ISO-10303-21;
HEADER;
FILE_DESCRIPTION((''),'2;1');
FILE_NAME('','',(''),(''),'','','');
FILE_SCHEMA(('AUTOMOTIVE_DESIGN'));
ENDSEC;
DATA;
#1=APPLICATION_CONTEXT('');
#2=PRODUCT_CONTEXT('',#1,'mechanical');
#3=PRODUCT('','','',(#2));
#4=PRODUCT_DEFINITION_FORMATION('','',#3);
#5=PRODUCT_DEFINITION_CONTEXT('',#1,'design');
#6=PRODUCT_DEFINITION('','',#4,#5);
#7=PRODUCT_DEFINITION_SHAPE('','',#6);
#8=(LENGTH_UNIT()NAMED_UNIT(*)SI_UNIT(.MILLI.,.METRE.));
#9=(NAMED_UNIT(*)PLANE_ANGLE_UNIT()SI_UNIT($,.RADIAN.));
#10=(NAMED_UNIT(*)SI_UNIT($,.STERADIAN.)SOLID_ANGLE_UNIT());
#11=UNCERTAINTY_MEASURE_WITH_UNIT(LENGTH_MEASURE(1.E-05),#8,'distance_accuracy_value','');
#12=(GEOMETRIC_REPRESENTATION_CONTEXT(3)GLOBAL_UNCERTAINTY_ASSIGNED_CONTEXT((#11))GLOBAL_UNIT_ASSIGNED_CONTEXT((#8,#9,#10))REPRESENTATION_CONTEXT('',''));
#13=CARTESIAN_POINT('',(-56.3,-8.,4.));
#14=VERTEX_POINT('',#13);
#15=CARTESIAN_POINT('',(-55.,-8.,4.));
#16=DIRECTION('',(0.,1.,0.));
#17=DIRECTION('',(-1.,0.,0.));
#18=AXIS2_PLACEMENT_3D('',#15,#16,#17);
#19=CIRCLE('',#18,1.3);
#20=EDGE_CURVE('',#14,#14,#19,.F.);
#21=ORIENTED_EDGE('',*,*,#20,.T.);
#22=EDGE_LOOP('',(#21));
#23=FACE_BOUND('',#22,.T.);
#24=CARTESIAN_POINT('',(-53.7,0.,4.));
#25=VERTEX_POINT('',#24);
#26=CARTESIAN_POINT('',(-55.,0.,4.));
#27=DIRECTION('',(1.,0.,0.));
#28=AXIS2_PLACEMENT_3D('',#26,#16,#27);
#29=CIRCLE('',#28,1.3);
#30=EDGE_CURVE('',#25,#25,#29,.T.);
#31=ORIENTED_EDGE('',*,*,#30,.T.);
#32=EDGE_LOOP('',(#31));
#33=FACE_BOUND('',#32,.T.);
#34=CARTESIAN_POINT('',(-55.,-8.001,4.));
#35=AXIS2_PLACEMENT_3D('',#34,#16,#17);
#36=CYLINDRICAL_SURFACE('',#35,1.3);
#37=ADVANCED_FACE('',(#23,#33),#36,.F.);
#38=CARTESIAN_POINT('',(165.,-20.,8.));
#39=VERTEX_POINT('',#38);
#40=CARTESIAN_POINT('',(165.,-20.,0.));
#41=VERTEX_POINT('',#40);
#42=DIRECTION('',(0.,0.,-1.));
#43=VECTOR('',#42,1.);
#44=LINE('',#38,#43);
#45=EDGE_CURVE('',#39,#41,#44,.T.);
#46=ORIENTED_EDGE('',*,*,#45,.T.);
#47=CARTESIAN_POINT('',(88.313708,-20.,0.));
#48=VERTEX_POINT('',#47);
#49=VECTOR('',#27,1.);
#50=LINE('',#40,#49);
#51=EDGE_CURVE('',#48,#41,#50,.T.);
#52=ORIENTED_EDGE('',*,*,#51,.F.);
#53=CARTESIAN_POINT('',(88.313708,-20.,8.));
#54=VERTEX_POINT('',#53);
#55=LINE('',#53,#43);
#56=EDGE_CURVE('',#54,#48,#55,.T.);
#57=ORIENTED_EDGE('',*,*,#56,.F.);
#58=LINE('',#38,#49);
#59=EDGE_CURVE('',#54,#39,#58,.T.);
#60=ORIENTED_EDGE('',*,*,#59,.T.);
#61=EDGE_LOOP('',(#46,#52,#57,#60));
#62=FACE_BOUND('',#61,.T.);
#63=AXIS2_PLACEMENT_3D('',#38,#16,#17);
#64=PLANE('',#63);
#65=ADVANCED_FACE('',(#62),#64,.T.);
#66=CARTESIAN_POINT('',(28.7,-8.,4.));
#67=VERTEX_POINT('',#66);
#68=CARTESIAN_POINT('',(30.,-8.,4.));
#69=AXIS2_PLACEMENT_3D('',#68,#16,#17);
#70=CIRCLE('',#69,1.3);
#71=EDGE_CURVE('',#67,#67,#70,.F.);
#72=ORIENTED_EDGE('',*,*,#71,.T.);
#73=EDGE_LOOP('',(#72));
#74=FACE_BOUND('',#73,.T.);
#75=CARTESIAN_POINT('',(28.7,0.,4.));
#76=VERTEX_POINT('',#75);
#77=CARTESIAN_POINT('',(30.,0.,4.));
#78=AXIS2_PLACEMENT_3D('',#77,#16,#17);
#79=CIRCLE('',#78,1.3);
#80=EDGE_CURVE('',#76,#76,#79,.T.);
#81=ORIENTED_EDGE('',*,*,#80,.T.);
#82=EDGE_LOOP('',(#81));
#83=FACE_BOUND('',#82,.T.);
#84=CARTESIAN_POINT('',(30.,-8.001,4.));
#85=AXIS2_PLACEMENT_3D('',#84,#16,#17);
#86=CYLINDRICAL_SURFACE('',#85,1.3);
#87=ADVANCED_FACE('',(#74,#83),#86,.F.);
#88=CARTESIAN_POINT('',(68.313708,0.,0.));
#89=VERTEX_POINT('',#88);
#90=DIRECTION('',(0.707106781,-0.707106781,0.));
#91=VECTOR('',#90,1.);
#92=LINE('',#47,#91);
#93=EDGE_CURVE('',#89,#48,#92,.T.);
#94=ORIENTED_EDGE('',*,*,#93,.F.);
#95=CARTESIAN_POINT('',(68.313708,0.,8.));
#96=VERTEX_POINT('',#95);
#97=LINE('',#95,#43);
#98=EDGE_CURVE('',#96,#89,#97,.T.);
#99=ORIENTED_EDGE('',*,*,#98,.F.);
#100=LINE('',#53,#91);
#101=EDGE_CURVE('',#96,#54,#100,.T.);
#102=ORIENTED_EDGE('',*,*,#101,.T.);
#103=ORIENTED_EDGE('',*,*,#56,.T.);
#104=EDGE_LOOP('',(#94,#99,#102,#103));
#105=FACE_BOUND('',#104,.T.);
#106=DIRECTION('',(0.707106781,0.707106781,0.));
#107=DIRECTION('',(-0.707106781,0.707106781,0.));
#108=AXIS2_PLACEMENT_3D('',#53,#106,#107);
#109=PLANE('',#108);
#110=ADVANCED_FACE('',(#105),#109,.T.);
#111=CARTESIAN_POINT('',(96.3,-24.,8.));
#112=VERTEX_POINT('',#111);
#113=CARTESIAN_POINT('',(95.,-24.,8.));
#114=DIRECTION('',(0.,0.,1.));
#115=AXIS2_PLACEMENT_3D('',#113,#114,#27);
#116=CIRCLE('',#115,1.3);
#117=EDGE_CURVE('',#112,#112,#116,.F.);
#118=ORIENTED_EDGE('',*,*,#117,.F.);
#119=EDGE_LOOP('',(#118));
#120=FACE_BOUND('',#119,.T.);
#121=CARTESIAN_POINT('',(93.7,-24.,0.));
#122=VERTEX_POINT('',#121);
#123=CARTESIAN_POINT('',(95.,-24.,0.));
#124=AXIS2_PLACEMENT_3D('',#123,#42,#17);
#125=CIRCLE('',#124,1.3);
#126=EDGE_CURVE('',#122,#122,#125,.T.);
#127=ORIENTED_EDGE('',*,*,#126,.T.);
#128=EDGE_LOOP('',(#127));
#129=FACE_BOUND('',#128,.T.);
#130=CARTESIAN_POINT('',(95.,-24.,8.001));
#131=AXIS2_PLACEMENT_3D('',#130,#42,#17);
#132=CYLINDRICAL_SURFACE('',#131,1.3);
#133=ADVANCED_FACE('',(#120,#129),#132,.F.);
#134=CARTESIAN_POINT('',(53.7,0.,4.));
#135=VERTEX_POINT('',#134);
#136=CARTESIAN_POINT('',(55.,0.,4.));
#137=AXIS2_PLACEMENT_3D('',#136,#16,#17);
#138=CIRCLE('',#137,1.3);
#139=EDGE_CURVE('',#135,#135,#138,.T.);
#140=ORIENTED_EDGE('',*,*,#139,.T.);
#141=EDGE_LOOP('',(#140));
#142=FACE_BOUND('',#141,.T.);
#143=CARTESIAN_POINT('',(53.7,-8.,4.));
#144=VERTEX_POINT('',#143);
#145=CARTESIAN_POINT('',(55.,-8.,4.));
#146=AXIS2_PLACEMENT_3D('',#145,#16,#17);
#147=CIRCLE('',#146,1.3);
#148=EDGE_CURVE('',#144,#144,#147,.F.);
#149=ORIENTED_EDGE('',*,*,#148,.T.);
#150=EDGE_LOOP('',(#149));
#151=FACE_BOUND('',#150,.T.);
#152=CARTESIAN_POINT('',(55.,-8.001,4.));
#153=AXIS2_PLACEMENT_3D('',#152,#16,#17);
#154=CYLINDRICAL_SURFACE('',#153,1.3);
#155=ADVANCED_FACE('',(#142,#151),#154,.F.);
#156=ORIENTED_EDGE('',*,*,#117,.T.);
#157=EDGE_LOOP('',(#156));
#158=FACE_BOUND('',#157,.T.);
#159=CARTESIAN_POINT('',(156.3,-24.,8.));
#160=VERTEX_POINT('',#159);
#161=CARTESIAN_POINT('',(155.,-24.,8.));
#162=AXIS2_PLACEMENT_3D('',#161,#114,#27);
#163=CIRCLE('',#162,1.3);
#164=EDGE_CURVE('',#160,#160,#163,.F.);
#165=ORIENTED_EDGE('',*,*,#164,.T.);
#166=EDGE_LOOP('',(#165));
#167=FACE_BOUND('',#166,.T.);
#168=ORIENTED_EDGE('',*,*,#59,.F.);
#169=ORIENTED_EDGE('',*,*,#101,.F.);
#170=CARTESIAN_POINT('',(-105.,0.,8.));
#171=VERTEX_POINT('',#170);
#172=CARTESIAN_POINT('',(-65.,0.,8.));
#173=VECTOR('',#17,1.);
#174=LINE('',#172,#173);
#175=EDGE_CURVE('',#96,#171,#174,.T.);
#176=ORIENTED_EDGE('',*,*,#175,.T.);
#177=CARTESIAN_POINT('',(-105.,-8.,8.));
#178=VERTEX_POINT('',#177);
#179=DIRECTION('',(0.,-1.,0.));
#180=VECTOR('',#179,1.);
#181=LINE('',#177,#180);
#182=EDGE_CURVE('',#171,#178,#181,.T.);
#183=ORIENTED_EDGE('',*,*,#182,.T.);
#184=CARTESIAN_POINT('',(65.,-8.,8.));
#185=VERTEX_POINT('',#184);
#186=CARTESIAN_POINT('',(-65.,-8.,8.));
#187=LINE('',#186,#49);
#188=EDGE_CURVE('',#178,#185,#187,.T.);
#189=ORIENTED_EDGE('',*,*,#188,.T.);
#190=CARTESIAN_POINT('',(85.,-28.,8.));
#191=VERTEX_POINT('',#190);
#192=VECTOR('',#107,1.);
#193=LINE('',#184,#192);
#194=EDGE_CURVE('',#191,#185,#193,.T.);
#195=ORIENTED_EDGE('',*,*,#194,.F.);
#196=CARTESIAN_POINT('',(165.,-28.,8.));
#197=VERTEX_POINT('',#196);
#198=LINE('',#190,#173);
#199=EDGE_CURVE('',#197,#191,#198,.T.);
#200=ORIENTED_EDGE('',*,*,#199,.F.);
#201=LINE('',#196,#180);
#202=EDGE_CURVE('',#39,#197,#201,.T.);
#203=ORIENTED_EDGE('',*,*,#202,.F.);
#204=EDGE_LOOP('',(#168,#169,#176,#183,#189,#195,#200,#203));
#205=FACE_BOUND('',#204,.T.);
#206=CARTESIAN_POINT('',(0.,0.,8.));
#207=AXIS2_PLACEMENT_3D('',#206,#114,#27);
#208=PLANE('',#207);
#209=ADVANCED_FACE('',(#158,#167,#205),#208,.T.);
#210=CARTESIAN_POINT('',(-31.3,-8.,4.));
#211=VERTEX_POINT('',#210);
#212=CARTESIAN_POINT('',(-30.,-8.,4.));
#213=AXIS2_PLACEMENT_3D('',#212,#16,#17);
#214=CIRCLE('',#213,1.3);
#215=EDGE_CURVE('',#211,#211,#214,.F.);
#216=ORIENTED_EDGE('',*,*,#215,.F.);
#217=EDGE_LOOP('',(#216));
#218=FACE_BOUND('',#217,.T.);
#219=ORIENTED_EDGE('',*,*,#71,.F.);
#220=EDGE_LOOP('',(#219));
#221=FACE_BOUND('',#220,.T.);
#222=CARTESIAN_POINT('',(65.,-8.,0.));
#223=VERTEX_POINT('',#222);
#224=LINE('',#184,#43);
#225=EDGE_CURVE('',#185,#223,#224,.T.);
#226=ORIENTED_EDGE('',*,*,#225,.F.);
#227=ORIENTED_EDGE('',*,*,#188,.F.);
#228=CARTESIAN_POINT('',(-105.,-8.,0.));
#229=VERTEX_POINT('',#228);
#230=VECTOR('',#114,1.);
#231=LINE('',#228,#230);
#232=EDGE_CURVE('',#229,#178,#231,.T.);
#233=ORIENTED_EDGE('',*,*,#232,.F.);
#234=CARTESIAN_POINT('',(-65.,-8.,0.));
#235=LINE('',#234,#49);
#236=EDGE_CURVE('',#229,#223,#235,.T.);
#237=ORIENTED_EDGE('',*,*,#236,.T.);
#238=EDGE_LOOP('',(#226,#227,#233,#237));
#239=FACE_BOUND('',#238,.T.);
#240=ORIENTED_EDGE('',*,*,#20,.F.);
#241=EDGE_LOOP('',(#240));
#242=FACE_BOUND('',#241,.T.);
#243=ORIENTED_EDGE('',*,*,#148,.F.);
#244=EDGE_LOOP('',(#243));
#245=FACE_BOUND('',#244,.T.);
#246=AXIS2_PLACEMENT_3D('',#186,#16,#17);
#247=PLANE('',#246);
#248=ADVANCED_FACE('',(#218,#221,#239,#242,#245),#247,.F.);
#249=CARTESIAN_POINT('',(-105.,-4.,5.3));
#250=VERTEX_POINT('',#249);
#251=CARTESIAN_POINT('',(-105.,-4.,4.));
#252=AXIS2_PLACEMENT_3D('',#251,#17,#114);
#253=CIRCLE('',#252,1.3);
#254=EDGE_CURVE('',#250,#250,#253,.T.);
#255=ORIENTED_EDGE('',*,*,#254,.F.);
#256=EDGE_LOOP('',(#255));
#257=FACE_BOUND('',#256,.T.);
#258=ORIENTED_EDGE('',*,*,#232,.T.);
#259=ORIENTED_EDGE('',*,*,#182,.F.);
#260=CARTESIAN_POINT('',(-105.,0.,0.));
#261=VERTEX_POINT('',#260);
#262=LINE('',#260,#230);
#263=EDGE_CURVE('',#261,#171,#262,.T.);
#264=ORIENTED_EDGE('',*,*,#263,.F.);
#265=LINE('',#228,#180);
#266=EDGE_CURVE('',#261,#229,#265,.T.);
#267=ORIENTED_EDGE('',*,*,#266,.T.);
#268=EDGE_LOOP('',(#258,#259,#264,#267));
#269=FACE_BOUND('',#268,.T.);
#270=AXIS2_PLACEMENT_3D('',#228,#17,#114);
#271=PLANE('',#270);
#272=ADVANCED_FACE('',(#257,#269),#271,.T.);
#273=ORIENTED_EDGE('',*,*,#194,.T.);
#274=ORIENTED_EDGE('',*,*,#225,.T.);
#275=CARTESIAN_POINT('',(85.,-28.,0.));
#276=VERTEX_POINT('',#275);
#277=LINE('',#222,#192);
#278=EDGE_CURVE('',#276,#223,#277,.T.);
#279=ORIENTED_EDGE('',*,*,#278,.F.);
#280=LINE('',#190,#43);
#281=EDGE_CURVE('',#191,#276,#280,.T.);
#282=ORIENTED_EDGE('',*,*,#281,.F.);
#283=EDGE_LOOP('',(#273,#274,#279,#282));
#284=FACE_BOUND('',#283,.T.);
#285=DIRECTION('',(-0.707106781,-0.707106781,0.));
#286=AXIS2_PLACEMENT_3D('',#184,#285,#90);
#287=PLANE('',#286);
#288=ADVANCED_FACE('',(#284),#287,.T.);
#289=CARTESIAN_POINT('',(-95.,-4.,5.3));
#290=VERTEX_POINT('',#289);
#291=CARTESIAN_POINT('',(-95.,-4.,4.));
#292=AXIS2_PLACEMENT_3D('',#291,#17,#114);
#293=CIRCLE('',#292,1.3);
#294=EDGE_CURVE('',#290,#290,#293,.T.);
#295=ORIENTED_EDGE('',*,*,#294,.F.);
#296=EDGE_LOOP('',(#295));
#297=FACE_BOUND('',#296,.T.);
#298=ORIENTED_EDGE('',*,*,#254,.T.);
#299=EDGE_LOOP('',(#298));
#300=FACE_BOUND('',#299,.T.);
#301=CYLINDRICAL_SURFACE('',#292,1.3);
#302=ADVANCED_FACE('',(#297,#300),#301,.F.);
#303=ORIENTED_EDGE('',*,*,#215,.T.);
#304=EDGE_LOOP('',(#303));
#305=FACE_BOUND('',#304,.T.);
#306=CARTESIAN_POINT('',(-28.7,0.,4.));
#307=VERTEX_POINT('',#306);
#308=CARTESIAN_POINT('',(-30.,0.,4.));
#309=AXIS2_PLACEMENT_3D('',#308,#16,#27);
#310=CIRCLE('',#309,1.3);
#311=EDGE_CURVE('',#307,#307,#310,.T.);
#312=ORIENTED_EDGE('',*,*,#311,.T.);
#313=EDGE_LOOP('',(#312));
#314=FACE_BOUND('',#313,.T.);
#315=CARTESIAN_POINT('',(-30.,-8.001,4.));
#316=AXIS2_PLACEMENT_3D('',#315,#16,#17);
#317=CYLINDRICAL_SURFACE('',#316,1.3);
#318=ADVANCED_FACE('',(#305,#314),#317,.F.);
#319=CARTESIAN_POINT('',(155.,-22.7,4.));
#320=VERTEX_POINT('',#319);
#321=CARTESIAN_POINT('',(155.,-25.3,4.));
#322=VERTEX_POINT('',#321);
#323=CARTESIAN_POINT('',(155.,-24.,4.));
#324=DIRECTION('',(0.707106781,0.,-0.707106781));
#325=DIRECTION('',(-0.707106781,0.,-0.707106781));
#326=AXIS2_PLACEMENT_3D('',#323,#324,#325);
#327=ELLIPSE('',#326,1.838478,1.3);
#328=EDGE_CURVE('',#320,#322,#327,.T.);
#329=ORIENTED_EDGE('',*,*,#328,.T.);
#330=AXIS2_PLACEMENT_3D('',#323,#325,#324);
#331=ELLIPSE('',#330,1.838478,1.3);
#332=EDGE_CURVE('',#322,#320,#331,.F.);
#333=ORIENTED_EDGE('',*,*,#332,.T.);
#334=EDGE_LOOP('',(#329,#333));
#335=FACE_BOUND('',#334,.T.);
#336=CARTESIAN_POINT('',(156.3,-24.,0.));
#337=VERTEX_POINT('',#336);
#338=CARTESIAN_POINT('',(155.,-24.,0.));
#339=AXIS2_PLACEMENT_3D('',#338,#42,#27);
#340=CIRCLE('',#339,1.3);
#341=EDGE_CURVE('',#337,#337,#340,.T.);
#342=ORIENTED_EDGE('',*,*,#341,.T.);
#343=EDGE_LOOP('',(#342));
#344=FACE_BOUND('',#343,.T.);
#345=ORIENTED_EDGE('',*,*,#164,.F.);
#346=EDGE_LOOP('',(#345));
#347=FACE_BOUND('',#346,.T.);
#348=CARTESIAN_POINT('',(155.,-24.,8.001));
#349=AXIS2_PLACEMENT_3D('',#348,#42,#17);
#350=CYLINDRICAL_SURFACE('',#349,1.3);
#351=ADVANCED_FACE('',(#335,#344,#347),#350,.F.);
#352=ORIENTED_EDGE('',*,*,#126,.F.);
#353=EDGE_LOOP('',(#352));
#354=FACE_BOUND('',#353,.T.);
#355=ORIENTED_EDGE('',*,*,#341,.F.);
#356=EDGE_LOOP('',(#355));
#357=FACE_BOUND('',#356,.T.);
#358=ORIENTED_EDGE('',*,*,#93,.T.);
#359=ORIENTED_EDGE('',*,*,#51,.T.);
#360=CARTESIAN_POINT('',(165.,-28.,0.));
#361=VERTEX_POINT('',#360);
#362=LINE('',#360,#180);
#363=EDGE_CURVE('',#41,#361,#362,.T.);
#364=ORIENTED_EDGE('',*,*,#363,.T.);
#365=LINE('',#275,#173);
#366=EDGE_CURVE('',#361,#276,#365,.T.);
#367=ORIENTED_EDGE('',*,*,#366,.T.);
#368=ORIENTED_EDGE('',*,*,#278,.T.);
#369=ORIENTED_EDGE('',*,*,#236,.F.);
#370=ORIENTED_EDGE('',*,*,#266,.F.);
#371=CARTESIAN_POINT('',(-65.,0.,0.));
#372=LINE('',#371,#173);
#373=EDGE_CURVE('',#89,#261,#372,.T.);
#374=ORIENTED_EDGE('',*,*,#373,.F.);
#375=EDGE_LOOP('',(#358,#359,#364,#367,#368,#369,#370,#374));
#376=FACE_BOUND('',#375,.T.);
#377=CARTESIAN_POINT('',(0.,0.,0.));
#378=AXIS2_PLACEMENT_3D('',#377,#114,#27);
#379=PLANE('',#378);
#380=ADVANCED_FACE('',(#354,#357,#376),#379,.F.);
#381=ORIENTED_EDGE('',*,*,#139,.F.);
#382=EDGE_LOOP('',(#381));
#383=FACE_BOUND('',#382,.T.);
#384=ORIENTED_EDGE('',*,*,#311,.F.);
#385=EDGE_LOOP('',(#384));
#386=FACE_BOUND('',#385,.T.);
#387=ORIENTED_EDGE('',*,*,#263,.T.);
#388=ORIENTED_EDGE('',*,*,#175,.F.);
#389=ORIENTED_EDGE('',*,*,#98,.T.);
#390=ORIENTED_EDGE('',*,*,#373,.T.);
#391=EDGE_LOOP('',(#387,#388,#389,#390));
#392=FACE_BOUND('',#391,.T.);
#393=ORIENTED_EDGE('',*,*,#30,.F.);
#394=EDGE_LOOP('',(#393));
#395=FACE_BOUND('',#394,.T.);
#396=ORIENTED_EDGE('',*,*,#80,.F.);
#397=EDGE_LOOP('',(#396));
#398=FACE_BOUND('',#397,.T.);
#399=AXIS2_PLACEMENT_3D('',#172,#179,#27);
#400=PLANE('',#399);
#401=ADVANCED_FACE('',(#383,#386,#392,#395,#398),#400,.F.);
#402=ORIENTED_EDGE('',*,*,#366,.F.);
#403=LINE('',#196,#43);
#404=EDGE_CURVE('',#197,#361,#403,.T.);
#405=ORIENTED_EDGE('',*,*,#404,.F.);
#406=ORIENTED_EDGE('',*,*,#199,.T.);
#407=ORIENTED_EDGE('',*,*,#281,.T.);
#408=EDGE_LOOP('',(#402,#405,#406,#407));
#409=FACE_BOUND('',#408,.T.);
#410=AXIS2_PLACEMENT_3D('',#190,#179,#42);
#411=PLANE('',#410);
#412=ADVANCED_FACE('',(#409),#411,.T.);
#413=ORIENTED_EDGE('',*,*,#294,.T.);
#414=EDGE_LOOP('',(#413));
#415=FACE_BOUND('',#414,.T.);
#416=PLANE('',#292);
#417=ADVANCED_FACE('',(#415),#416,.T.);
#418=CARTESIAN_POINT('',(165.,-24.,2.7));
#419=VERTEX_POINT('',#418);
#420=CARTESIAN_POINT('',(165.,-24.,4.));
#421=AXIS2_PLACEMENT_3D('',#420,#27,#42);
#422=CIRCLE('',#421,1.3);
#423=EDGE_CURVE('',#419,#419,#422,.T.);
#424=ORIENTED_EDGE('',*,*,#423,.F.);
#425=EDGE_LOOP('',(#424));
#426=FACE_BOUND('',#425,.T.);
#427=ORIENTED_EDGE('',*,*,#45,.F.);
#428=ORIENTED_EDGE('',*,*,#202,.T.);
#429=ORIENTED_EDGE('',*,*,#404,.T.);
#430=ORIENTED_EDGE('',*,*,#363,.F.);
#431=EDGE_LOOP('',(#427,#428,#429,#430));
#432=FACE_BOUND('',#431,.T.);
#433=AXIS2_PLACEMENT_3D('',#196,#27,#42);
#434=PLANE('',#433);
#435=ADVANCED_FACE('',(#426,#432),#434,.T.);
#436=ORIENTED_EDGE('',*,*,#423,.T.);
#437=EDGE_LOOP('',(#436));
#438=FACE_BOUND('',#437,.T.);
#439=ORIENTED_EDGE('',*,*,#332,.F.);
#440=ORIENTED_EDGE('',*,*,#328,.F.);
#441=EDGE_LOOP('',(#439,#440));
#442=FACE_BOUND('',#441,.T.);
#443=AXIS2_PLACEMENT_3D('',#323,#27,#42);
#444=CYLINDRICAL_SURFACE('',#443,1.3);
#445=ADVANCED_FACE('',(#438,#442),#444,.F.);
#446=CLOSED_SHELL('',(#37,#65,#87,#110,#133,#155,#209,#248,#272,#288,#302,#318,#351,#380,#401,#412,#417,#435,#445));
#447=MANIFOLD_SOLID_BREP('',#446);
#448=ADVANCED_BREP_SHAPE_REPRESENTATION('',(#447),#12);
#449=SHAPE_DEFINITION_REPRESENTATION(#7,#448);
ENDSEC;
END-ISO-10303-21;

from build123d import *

# Parameters (mm, degrees)
SKETCH2_W           = 8
SKETCH2_H           = 130
BOSS_EXTRUDE1_DEPTH = 8
CUT_EXTRUDE1_REACH  = 67.977
SKETCH4_R           = 1.3
BOSS_EXTRUDE2_DEPTH = 8
SKETCH8_R           = 1.3
CUT_EXTRUDE3_DEPTH  = 10
CUT_EXTRUDE4_REACH  = 169.55
SKETCH9_R           = 1.3
SKETCH10_W          = 40
SKETCH10_H          = 8
BOSS_EXTRUDE3_DEPTH = 8
SKETCH11_R          = 1.3
CUT_EXTRUDE5_DEPTH  = 10


with BuildPart() as part:
    # Sketch2 → Boss-Extrude1 (new body)
    with BuildSketch(Plane(origin=(0, 0, 0), x_dir=(0, 1, 0), z_dir=(0, 0, 1))):
        with Locations((-4, 0)):
            Rectangle(SKETCH2_W, SKETCH2_H)
    extrude(amount=BOSS_EXTRUDE1_DEPTH)

    # Sketch4 → Cut-Extrude1 (cut, up to next)
    with BuildSketch(Plane(origin=(0, 0, 0), x_dir=(-1, 0, 0), z_dir=(0, 1, 0)), mode=Mode.PRIVATE) as cut_extrude1_sk1:
        with Locations((-55, 4)):
            Circle(SKETCH4_R)
    cut_extrude1_tool1 = extrude(cut_extrude1_sk1.sketch, amount=-CUT_EXTRUDE1_REACH, mode=Mode.PRIVATE) & part.part
    # Sketch4 → Cut-Extrude1 (cut, up to next)
    with BuildSketch(Plane(origin=(0, 0, 0), x_dir=(-1, 0, 0), z_dir=(0, 1, 0)), mode=Mode.PRIVATE) as cut_extrude1_sk2:
        with Locations((-30, 4)):
            Circle(SKETCH4_R)
    cut_extrude1_tool2 = extrude(cut_extrude1_sk2.sketch, amount=-CUT_EXTRUDE1_REACH, mode=Mode.PRIVATE) & part.part
    # Sketch4 → Cut-Extrude1 (cut, up to next)
    with BuildSketch(Plane(origin=(0, 0, 0), x_dir=(-1, 0, 0), z_dir=(0, 1, 0)), mode=Mode.PRIVATE) as cut_extrude1_sk3:
        with Locations((30, 4)):
            Circle(SKETCH4_R)
    cut_extrude1_tool3 = extrude(cut_extrude1_sk3.sketch, amount=-CUT_EXTRUDE1_REACH, mode=Mode.PRIVATE) & part.part
    # Sketch4 → Cut-Extrude1 (cut, up to next)
    with BuildSketch(Plane(origin=(0, 0, 0), x_dir=(-1, 0, 0), z_dir=(0, 1, 0)), mode=Mode.PRIVATE) as cut_extrude1_sk4:
        with Locations((55, 4)):
            Circle(SKETCH4_R)
    cut_extrude1_tool4 = extrude(cut_extrude1_sk4.sketch, amount=-CUT_EXTRUDE1_REACH, mode=Mode.PRIVATE) & part.part
    add(cut_extrude1_tool1.solids().sort_by_distance((55, 0, 4))[0], mode=Mode.SUBTRACT)
    add(cut_extrude1_tool2.solids().sort_by_distance((30, 0, 4))[0], mode=Mode.SUBTRACT)
    add(cut_extrude1_tool3.solids().sort_by_distance((-30, 0, 4))[0], mode=Mode.SUBTRACT)
    add(cut_extrude1_tool4.solids().sort_by_distance((-55, 0, 4))[0], mode=Mode.SUBTRACT)

    # Sketch7 → Boss-Extrude2 (add)
    with BuildSketch(Plane(origin=(0, 0, 0), x_dir=(1, 0, 0), z_dir=(0, 0, -1))):
        Polygon((65, 8), (85, 28), (165, 28), (165, 20), (88.313708499, 20), (68.313708499, 0), (65, 0), align=None)
    extrude(amount=-BOSS_EXTRUDE2_DEPTH)

    # Sketch8 → Cut-Extrude3 (cut)
    with BuildSketch(Plane.YZ.offset(165)):
        with Locations(Location((-24, 4, 0), (0, 0, 270))):
            Circle(SKETCH8_R)
    extrude(amount=-CUT_EXTRUDE3_DEPTH, mode=Mode.SUBTRACT)

    # Sketch9 → Cut-Extrude4 (cut, up to next)
    with BuildSketch(Plane(origin=(0, 0, 0), x_dir=(1, 0, 0), z_dir=(0, 0, -1)), mode=Mode.PRIVATE) as cut_extrude4_sk1:
        with Locations(Location((95, 24, 0), (0, 0, 180))):
            Circle(SKETCH9_R)
    cut_extrude4_tool1 = extrude(cut_extrude4_sk1.sketch, amount=-CUT_EXTRUDE4_REACH, mode=Mode.PRIVATE) & part.part
    # Sketch9 → Cut-Extrude4 (cut, up to next)
    with BuildSketch(Plane(origin=(0, 0, 0), x_dir=(1, 0, 0), z_dir=(0, 0, -1)), mode=Mode.PRIVATE) as cut_extrude4_sk2:
        with Locations((155, 24)):
            Circle(SKETCH9_R)
    cut_extrude4_tool2 = extrude(cut_extrude4_sk2.sketch, amount=-CUT_EXTRUDE4_REACH, mode=Mode.PRIVATE) & part.part
    add(cut_extrude4_tool1.solids().sort_by_distance((95, -24, 0))[0], mode=Mode.SUBTRACT)
    add(cut_extrude4_tool2.solids().sort_by_distance((155, -24, 0))[0], mode=Mode.SUBTRACT)

    # Sketch10 → Boss-Extrude3 (add)
    with BuildSketch(Plane.XY.offset(8)):
        with Locations((-85, -4)):
            Rectangle(SKETCH10_W, SKETCH10_H)
    extrude(amount=-BOSS_EXTRUDE3_DEPTH)

    # Sketch11 → Cut-Extrude5 (cut)
    with BuildSketch(Plane(origin=(-105, 0, 0), x_dir=(0, -1, 0), z_dir=(-1, 0, 0))):
        with Locations(Location((4, 4, 0), (0, 0, 90))):
            Circle(SKETCH11_R)
    extrude(amount=-CUT_EXTRUDE5_DEPTH, mode=Mode.SUBTRACT)


solid = part.part
